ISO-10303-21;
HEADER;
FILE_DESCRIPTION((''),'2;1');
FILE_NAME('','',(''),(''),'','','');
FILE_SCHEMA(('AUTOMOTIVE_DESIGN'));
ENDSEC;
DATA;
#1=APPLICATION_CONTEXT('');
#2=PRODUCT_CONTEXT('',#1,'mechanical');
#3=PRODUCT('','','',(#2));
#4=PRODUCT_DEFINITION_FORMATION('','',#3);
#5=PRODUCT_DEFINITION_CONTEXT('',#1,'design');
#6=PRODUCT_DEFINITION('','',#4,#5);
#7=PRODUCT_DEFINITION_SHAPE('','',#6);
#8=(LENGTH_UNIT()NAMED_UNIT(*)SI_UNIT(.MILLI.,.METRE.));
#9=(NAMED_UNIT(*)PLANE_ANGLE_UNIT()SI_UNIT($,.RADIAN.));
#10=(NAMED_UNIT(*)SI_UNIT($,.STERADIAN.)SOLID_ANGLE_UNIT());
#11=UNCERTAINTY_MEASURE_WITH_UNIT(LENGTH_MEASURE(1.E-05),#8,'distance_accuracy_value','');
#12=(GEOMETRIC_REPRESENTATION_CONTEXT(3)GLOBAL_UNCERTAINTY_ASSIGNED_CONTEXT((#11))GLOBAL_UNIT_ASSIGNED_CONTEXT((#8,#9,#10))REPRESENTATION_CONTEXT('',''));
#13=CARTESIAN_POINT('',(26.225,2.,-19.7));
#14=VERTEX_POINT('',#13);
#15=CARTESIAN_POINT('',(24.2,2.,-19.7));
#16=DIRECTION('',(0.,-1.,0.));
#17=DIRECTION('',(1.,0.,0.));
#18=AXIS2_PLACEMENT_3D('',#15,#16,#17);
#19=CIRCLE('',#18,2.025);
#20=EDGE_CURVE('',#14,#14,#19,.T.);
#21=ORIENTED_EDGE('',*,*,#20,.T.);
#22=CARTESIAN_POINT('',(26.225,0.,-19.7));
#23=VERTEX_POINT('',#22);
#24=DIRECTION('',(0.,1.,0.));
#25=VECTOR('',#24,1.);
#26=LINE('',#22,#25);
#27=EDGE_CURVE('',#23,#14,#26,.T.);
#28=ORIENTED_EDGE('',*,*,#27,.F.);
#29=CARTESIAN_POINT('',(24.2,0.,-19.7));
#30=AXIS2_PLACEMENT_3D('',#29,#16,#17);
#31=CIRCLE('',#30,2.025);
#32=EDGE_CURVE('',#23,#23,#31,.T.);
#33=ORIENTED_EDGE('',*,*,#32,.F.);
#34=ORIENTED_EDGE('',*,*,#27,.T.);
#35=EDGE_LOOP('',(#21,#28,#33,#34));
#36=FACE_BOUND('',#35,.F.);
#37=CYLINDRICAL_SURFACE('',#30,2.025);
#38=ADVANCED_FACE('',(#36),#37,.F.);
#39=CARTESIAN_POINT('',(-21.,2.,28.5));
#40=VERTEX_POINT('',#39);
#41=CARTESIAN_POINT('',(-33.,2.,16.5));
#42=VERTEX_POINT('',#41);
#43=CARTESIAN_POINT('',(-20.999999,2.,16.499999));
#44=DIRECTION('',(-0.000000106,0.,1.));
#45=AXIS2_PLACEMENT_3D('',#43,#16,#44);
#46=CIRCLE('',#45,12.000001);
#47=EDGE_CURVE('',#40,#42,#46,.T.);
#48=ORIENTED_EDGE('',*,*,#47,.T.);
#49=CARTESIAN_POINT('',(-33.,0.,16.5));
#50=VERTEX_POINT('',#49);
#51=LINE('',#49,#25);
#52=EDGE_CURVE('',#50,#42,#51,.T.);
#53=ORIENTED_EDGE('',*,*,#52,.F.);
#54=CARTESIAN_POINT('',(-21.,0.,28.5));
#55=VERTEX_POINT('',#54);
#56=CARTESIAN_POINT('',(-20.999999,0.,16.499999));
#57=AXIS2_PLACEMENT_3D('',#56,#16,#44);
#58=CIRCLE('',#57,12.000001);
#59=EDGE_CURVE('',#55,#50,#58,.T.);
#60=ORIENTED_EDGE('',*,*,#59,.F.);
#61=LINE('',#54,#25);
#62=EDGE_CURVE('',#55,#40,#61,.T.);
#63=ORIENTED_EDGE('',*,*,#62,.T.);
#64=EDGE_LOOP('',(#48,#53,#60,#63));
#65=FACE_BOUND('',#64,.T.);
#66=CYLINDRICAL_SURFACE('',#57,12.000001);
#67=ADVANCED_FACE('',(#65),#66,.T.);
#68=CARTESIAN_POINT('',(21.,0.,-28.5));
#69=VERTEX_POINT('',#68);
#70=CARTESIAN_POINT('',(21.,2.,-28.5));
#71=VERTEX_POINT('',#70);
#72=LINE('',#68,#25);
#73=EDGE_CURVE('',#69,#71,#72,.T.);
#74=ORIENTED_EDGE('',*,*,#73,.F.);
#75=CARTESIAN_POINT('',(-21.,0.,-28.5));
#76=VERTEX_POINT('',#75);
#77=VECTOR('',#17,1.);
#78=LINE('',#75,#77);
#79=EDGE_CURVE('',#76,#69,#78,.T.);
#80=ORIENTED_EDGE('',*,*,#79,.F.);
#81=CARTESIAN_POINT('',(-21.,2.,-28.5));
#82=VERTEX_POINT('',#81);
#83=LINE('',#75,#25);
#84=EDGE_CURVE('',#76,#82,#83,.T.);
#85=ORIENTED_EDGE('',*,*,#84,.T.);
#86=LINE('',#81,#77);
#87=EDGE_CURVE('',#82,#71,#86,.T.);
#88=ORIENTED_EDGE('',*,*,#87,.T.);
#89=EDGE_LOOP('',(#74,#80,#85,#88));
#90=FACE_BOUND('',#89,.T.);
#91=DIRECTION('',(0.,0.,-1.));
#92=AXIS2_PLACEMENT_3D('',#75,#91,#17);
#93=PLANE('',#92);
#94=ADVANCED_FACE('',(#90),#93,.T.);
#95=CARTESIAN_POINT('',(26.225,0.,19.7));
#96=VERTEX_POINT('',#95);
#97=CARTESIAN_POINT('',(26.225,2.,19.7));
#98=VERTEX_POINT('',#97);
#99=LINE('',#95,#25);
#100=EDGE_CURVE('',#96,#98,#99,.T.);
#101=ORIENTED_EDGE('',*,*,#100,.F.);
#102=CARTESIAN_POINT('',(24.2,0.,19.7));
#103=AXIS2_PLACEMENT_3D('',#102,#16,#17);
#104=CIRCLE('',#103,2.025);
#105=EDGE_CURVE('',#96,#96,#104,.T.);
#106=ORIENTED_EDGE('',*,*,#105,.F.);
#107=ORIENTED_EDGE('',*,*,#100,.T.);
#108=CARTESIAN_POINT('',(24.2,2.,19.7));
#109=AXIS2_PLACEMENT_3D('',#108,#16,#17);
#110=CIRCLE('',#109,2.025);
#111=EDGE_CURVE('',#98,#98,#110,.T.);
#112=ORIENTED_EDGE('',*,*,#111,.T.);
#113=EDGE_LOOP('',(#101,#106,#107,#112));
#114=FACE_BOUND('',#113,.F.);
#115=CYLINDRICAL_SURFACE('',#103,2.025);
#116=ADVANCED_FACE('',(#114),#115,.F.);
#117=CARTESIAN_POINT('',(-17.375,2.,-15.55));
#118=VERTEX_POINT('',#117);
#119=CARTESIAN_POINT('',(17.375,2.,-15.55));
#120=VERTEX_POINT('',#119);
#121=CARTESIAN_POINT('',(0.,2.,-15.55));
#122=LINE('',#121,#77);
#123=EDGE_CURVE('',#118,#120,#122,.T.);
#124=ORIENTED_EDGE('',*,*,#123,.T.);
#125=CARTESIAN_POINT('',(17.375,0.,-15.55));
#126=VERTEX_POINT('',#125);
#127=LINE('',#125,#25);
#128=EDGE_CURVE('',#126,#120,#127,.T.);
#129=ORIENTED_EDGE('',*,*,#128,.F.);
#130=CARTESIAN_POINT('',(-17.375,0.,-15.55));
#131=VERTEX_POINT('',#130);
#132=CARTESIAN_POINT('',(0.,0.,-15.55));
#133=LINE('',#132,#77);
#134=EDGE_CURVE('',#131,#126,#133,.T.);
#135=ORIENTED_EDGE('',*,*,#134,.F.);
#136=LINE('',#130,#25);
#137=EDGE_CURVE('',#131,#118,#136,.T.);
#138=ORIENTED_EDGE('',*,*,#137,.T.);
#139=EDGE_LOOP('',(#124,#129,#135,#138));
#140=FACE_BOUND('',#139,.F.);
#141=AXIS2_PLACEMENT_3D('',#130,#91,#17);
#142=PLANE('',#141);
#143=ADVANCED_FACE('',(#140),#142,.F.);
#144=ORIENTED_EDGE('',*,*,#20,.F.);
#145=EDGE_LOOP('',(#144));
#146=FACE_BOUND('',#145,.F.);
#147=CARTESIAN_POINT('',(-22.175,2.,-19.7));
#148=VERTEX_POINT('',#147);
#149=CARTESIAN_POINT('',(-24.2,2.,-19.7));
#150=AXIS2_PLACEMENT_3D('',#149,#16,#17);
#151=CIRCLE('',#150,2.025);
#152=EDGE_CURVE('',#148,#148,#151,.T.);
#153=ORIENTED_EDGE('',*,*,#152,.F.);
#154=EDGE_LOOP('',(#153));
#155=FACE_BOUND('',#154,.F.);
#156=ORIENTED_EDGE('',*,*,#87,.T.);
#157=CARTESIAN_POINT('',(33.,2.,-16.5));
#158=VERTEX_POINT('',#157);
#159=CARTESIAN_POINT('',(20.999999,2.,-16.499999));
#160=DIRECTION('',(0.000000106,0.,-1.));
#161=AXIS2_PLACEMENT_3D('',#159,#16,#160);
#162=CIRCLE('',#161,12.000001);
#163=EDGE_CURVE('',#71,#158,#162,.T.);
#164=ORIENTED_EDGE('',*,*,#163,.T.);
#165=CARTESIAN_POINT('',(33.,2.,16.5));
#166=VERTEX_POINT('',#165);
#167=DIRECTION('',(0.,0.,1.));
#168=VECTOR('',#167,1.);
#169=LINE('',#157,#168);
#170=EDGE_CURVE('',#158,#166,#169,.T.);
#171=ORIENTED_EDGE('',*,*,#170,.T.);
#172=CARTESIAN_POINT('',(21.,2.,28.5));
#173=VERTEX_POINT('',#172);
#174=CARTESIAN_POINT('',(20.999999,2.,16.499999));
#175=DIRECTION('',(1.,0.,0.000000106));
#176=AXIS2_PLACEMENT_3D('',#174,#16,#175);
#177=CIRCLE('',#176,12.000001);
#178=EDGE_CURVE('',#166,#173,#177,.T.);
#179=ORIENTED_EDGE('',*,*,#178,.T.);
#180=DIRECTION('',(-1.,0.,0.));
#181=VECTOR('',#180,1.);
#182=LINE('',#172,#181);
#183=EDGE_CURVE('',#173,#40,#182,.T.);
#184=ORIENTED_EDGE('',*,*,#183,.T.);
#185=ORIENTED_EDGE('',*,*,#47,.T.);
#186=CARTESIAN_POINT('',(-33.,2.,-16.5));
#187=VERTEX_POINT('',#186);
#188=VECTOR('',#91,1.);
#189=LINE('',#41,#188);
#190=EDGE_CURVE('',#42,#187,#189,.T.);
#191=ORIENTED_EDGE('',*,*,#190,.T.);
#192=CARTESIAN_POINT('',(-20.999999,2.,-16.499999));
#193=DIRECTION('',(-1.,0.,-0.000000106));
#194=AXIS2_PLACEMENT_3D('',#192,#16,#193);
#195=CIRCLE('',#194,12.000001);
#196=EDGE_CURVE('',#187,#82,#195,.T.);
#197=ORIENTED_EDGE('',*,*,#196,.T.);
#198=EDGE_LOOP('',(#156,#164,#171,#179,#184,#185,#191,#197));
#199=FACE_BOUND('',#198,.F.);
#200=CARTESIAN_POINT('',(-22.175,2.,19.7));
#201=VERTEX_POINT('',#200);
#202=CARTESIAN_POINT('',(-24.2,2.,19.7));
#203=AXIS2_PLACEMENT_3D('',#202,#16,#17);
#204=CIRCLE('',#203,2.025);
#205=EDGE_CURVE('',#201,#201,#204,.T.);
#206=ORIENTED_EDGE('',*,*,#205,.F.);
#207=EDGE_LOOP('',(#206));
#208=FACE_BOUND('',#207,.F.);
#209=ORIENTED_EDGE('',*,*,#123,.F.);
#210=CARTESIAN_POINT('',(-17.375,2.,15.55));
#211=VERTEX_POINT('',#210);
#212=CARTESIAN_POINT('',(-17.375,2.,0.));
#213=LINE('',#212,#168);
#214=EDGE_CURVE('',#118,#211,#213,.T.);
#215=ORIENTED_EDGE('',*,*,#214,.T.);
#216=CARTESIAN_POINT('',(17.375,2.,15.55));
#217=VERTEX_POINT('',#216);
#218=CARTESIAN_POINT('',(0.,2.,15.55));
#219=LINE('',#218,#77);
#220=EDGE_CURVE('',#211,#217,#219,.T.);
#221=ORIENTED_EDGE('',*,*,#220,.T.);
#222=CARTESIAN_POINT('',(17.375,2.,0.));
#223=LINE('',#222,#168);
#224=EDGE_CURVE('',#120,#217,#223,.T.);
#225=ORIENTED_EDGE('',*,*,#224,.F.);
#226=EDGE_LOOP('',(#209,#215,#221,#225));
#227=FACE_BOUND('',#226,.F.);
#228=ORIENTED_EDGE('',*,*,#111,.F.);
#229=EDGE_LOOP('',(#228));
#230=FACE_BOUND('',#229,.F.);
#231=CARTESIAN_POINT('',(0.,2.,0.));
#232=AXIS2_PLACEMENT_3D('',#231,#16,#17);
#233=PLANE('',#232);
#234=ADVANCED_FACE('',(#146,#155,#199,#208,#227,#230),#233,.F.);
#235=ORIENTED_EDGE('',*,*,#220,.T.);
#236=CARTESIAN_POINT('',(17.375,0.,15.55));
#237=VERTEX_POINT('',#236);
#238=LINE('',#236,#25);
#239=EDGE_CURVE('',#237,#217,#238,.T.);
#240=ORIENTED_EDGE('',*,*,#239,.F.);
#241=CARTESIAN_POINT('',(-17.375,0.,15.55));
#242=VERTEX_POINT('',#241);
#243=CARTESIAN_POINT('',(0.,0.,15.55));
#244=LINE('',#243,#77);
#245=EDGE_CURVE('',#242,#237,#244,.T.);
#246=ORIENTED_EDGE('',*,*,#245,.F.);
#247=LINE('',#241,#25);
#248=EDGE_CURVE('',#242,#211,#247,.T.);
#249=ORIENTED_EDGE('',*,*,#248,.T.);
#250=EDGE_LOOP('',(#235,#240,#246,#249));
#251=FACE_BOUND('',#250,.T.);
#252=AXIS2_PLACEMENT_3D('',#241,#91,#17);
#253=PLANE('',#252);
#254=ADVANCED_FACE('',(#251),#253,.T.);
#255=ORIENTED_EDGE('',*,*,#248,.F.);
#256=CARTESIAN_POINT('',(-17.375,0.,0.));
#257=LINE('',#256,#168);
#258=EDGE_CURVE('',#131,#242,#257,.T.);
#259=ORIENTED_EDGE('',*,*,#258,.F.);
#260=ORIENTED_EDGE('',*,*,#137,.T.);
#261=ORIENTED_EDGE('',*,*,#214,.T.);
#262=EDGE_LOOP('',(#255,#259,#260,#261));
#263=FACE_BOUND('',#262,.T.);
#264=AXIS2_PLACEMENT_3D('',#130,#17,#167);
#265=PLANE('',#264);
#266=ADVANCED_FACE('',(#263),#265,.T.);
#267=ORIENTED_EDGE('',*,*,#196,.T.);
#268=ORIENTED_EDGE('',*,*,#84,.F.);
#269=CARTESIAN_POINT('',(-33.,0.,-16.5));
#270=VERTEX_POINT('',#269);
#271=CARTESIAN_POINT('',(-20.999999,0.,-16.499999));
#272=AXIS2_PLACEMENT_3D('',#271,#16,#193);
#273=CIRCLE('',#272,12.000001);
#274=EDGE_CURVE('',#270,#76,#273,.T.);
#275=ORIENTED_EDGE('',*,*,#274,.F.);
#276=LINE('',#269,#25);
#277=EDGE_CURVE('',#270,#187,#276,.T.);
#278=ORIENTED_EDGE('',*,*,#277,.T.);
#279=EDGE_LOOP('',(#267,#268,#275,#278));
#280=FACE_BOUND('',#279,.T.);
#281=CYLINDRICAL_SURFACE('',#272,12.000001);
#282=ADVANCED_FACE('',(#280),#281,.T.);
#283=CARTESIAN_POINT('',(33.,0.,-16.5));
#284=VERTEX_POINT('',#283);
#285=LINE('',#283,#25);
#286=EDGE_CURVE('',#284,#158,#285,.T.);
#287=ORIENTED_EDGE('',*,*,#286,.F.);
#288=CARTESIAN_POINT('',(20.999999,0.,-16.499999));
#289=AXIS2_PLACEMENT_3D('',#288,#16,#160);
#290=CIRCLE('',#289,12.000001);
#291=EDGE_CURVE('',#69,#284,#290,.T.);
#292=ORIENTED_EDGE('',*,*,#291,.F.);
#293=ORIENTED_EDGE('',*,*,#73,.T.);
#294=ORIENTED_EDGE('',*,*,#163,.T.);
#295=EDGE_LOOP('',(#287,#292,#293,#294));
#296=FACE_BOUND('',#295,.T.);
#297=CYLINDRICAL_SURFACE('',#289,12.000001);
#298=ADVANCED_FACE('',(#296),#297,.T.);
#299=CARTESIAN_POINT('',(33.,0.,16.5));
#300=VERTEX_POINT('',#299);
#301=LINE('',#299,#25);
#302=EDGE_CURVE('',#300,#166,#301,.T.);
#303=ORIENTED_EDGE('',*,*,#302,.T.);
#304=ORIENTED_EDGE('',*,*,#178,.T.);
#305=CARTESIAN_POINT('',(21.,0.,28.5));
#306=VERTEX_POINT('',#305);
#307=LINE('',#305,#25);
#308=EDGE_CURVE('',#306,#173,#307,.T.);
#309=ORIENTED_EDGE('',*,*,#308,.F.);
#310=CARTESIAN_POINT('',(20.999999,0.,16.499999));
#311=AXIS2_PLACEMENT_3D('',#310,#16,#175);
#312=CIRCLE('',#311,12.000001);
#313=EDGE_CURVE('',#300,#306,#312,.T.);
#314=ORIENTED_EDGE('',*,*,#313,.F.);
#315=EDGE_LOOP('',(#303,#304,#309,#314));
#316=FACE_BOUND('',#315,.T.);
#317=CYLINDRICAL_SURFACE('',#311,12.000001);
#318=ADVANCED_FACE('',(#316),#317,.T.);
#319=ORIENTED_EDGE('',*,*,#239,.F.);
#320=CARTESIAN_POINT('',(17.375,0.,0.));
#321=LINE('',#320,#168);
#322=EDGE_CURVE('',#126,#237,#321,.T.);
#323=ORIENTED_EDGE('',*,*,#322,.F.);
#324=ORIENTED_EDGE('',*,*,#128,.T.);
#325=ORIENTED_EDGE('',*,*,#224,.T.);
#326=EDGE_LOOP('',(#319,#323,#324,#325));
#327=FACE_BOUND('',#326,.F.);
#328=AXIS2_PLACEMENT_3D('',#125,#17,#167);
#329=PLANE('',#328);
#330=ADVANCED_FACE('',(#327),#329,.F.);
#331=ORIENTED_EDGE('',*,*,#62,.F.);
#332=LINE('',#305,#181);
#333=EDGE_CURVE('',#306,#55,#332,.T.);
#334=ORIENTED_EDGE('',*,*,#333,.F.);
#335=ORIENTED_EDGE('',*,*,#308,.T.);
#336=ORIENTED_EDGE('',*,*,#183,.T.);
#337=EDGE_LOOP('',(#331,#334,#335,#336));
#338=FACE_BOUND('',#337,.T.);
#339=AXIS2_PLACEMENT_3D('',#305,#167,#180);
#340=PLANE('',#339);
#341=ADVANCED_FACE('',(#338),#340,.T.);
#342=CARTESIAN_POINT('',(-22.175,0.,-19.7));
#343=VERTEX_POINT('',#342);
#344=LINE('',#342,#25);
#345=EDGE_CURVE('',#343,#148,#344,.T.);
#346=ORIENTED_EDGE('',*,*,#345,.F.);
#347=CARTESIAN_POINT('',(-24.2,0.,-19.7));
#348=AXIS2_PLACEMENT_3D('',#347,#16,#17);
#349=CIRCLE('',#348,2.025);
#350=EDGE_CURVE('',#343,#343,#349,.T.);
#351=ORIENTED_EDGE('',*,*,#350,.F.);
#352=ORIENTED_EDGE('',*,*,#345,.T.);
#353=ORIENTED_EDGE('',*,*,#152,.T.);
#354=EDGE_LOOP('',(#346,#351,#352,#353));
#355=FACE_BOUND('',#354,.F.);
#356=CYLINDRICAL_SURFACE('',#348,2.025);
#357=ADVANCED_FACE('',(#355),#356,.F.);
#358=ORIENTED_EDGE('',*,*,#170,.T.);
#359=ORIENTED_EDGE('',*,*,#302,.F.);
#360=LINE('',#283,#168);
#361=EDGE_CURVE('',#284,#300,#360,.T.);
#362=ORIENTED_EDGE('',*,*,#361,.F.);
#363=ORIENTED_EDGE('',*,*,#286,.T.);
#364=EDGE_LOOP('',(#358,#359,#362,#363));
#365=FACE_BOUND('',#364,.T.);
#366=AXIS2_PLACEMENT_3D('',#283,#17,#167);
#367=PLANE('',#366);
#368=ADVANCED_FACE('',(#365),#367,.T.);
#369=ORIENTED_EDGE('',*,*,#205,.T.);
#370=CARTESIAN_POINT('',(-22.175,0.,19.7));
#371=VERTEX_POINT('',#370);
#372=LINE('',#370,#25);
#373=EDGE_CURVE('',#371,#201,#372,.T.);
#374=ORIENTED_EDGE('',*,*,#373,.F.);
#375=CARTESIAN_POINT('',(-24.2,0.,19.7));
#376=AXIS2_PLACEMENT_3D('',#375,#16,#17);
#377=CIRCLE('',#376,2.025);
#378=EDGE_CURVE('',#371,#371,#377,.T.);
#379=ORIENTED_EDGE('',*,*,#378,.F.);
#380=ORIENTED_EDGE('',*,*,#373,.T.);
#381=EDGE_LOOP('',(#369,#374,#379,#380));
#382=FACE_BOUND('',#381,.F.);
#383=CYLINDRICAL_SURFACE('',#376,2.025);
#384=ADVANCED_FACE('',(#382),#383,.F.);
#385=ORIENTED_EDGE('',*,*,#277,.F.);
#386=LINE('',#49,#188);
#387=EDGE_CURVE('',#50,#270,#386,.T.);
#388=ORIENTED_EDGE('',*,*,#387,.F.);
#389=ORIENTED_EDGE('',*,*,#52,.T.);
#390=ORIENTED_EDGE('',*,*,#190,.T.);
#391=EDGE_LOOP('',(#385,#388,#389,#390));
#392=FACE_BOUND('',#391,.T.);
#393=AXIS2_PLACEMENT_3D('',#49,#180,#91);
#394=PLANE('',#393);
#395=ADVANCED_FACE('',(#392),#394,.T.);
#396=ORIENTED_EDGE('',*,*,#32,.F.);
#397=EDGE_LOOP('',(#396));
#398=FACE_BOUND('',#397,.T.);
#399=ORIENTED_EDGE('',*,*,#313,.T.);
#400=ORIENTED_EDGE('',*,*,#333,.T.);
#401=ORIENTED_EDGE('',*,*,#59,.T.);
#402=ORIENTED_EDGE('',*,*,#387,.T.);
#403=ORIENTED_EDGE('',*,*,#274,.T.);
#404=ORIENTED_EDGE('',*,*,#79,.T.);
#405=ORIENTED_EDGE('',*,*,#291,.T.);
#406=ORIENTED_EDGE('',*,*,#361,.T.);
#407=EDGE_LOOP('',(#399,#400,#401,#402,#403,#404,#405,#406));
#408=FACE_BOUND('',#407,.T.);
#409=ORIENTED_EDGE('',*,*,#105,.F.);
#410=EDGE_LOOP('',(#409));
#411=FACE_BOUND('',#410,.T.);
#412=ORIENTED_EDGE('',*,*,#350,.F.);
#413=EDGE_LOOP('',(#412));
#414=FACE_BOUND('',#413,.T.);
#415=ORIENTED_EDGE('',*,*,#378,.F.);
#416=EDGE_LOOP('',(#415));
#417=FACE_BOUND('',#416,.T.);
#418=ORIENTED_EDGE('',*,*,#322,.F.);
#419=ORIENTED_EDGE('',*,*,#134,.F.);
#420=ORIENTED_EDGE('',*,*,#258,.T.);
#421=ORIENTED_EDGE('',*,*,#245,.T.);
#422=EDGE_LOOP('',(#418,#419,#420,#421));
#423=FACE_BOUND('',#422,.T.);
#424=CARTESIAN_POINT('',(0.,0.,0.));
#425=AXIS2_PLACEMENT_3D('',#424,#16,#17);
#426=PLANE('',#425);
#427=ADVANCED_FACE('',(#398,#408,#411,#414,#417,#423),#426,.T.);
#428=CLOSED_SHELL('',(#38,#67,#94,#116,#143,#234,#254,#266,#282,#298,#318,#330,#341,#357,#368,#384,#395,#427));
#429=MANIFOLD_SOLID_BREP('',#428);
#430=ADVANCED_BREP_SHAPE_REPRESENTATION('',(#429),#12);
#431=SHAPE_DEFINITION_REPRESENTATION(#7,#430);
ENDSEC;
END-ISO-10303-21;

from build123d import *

# Parameters (mm, degrees)
F0_R     = 2.025
F0_W     = 34.75
F0_H     = 31.1
F1_DEPTH = 2


with BuildPart() as f1:
    # F0 (on Front) → F1 (new body)
    with BuildSketch(Plane.XZ):
        with BuildLine():
            Line((-21, -28.5), (21, -28.5))
            ThreePointArc((21, -28.5), (29.485281, -24.985281), (33, -16.5))
            Line((33, -16.5), (33, 16.5))
            ThreePointArc((33, 16.5), (29.485281, 24.985281), (21, 28.5))
            Line((21, 28.5), (-21, 28.5))
            ThreePointArc((-21, 28.5), (-29.485281, 24.985281), (-33, 16.5))
            Line((-33, 16.5), (-33, -16.5))
            ThreePointArc((-33, -16.5), (-29.485281, -24.985281), (-21, -28.5))
        make_face()
        with Locations((-24.2, -19.7)):
            Circle(F0_R, mode=Mode.SUBTRACT)
        with Locations((24.2, -19.7)):
            Circle(F0_R, mode=Mode.SUBTRACT)
        with Locations((-24.2, 19.7)):
            Circle(F0_R, mode=Mode.SUBTRACT)
        Rectangle(F0_W, F0_H, mode=Mode.SUBTRACT)
        with Locations((24.2, 19.7)):
            Circle(F0_R, mode=Mode.SUBTRACT)
    extrude(amount=-F1_DEPTH)


solid = f1.part
